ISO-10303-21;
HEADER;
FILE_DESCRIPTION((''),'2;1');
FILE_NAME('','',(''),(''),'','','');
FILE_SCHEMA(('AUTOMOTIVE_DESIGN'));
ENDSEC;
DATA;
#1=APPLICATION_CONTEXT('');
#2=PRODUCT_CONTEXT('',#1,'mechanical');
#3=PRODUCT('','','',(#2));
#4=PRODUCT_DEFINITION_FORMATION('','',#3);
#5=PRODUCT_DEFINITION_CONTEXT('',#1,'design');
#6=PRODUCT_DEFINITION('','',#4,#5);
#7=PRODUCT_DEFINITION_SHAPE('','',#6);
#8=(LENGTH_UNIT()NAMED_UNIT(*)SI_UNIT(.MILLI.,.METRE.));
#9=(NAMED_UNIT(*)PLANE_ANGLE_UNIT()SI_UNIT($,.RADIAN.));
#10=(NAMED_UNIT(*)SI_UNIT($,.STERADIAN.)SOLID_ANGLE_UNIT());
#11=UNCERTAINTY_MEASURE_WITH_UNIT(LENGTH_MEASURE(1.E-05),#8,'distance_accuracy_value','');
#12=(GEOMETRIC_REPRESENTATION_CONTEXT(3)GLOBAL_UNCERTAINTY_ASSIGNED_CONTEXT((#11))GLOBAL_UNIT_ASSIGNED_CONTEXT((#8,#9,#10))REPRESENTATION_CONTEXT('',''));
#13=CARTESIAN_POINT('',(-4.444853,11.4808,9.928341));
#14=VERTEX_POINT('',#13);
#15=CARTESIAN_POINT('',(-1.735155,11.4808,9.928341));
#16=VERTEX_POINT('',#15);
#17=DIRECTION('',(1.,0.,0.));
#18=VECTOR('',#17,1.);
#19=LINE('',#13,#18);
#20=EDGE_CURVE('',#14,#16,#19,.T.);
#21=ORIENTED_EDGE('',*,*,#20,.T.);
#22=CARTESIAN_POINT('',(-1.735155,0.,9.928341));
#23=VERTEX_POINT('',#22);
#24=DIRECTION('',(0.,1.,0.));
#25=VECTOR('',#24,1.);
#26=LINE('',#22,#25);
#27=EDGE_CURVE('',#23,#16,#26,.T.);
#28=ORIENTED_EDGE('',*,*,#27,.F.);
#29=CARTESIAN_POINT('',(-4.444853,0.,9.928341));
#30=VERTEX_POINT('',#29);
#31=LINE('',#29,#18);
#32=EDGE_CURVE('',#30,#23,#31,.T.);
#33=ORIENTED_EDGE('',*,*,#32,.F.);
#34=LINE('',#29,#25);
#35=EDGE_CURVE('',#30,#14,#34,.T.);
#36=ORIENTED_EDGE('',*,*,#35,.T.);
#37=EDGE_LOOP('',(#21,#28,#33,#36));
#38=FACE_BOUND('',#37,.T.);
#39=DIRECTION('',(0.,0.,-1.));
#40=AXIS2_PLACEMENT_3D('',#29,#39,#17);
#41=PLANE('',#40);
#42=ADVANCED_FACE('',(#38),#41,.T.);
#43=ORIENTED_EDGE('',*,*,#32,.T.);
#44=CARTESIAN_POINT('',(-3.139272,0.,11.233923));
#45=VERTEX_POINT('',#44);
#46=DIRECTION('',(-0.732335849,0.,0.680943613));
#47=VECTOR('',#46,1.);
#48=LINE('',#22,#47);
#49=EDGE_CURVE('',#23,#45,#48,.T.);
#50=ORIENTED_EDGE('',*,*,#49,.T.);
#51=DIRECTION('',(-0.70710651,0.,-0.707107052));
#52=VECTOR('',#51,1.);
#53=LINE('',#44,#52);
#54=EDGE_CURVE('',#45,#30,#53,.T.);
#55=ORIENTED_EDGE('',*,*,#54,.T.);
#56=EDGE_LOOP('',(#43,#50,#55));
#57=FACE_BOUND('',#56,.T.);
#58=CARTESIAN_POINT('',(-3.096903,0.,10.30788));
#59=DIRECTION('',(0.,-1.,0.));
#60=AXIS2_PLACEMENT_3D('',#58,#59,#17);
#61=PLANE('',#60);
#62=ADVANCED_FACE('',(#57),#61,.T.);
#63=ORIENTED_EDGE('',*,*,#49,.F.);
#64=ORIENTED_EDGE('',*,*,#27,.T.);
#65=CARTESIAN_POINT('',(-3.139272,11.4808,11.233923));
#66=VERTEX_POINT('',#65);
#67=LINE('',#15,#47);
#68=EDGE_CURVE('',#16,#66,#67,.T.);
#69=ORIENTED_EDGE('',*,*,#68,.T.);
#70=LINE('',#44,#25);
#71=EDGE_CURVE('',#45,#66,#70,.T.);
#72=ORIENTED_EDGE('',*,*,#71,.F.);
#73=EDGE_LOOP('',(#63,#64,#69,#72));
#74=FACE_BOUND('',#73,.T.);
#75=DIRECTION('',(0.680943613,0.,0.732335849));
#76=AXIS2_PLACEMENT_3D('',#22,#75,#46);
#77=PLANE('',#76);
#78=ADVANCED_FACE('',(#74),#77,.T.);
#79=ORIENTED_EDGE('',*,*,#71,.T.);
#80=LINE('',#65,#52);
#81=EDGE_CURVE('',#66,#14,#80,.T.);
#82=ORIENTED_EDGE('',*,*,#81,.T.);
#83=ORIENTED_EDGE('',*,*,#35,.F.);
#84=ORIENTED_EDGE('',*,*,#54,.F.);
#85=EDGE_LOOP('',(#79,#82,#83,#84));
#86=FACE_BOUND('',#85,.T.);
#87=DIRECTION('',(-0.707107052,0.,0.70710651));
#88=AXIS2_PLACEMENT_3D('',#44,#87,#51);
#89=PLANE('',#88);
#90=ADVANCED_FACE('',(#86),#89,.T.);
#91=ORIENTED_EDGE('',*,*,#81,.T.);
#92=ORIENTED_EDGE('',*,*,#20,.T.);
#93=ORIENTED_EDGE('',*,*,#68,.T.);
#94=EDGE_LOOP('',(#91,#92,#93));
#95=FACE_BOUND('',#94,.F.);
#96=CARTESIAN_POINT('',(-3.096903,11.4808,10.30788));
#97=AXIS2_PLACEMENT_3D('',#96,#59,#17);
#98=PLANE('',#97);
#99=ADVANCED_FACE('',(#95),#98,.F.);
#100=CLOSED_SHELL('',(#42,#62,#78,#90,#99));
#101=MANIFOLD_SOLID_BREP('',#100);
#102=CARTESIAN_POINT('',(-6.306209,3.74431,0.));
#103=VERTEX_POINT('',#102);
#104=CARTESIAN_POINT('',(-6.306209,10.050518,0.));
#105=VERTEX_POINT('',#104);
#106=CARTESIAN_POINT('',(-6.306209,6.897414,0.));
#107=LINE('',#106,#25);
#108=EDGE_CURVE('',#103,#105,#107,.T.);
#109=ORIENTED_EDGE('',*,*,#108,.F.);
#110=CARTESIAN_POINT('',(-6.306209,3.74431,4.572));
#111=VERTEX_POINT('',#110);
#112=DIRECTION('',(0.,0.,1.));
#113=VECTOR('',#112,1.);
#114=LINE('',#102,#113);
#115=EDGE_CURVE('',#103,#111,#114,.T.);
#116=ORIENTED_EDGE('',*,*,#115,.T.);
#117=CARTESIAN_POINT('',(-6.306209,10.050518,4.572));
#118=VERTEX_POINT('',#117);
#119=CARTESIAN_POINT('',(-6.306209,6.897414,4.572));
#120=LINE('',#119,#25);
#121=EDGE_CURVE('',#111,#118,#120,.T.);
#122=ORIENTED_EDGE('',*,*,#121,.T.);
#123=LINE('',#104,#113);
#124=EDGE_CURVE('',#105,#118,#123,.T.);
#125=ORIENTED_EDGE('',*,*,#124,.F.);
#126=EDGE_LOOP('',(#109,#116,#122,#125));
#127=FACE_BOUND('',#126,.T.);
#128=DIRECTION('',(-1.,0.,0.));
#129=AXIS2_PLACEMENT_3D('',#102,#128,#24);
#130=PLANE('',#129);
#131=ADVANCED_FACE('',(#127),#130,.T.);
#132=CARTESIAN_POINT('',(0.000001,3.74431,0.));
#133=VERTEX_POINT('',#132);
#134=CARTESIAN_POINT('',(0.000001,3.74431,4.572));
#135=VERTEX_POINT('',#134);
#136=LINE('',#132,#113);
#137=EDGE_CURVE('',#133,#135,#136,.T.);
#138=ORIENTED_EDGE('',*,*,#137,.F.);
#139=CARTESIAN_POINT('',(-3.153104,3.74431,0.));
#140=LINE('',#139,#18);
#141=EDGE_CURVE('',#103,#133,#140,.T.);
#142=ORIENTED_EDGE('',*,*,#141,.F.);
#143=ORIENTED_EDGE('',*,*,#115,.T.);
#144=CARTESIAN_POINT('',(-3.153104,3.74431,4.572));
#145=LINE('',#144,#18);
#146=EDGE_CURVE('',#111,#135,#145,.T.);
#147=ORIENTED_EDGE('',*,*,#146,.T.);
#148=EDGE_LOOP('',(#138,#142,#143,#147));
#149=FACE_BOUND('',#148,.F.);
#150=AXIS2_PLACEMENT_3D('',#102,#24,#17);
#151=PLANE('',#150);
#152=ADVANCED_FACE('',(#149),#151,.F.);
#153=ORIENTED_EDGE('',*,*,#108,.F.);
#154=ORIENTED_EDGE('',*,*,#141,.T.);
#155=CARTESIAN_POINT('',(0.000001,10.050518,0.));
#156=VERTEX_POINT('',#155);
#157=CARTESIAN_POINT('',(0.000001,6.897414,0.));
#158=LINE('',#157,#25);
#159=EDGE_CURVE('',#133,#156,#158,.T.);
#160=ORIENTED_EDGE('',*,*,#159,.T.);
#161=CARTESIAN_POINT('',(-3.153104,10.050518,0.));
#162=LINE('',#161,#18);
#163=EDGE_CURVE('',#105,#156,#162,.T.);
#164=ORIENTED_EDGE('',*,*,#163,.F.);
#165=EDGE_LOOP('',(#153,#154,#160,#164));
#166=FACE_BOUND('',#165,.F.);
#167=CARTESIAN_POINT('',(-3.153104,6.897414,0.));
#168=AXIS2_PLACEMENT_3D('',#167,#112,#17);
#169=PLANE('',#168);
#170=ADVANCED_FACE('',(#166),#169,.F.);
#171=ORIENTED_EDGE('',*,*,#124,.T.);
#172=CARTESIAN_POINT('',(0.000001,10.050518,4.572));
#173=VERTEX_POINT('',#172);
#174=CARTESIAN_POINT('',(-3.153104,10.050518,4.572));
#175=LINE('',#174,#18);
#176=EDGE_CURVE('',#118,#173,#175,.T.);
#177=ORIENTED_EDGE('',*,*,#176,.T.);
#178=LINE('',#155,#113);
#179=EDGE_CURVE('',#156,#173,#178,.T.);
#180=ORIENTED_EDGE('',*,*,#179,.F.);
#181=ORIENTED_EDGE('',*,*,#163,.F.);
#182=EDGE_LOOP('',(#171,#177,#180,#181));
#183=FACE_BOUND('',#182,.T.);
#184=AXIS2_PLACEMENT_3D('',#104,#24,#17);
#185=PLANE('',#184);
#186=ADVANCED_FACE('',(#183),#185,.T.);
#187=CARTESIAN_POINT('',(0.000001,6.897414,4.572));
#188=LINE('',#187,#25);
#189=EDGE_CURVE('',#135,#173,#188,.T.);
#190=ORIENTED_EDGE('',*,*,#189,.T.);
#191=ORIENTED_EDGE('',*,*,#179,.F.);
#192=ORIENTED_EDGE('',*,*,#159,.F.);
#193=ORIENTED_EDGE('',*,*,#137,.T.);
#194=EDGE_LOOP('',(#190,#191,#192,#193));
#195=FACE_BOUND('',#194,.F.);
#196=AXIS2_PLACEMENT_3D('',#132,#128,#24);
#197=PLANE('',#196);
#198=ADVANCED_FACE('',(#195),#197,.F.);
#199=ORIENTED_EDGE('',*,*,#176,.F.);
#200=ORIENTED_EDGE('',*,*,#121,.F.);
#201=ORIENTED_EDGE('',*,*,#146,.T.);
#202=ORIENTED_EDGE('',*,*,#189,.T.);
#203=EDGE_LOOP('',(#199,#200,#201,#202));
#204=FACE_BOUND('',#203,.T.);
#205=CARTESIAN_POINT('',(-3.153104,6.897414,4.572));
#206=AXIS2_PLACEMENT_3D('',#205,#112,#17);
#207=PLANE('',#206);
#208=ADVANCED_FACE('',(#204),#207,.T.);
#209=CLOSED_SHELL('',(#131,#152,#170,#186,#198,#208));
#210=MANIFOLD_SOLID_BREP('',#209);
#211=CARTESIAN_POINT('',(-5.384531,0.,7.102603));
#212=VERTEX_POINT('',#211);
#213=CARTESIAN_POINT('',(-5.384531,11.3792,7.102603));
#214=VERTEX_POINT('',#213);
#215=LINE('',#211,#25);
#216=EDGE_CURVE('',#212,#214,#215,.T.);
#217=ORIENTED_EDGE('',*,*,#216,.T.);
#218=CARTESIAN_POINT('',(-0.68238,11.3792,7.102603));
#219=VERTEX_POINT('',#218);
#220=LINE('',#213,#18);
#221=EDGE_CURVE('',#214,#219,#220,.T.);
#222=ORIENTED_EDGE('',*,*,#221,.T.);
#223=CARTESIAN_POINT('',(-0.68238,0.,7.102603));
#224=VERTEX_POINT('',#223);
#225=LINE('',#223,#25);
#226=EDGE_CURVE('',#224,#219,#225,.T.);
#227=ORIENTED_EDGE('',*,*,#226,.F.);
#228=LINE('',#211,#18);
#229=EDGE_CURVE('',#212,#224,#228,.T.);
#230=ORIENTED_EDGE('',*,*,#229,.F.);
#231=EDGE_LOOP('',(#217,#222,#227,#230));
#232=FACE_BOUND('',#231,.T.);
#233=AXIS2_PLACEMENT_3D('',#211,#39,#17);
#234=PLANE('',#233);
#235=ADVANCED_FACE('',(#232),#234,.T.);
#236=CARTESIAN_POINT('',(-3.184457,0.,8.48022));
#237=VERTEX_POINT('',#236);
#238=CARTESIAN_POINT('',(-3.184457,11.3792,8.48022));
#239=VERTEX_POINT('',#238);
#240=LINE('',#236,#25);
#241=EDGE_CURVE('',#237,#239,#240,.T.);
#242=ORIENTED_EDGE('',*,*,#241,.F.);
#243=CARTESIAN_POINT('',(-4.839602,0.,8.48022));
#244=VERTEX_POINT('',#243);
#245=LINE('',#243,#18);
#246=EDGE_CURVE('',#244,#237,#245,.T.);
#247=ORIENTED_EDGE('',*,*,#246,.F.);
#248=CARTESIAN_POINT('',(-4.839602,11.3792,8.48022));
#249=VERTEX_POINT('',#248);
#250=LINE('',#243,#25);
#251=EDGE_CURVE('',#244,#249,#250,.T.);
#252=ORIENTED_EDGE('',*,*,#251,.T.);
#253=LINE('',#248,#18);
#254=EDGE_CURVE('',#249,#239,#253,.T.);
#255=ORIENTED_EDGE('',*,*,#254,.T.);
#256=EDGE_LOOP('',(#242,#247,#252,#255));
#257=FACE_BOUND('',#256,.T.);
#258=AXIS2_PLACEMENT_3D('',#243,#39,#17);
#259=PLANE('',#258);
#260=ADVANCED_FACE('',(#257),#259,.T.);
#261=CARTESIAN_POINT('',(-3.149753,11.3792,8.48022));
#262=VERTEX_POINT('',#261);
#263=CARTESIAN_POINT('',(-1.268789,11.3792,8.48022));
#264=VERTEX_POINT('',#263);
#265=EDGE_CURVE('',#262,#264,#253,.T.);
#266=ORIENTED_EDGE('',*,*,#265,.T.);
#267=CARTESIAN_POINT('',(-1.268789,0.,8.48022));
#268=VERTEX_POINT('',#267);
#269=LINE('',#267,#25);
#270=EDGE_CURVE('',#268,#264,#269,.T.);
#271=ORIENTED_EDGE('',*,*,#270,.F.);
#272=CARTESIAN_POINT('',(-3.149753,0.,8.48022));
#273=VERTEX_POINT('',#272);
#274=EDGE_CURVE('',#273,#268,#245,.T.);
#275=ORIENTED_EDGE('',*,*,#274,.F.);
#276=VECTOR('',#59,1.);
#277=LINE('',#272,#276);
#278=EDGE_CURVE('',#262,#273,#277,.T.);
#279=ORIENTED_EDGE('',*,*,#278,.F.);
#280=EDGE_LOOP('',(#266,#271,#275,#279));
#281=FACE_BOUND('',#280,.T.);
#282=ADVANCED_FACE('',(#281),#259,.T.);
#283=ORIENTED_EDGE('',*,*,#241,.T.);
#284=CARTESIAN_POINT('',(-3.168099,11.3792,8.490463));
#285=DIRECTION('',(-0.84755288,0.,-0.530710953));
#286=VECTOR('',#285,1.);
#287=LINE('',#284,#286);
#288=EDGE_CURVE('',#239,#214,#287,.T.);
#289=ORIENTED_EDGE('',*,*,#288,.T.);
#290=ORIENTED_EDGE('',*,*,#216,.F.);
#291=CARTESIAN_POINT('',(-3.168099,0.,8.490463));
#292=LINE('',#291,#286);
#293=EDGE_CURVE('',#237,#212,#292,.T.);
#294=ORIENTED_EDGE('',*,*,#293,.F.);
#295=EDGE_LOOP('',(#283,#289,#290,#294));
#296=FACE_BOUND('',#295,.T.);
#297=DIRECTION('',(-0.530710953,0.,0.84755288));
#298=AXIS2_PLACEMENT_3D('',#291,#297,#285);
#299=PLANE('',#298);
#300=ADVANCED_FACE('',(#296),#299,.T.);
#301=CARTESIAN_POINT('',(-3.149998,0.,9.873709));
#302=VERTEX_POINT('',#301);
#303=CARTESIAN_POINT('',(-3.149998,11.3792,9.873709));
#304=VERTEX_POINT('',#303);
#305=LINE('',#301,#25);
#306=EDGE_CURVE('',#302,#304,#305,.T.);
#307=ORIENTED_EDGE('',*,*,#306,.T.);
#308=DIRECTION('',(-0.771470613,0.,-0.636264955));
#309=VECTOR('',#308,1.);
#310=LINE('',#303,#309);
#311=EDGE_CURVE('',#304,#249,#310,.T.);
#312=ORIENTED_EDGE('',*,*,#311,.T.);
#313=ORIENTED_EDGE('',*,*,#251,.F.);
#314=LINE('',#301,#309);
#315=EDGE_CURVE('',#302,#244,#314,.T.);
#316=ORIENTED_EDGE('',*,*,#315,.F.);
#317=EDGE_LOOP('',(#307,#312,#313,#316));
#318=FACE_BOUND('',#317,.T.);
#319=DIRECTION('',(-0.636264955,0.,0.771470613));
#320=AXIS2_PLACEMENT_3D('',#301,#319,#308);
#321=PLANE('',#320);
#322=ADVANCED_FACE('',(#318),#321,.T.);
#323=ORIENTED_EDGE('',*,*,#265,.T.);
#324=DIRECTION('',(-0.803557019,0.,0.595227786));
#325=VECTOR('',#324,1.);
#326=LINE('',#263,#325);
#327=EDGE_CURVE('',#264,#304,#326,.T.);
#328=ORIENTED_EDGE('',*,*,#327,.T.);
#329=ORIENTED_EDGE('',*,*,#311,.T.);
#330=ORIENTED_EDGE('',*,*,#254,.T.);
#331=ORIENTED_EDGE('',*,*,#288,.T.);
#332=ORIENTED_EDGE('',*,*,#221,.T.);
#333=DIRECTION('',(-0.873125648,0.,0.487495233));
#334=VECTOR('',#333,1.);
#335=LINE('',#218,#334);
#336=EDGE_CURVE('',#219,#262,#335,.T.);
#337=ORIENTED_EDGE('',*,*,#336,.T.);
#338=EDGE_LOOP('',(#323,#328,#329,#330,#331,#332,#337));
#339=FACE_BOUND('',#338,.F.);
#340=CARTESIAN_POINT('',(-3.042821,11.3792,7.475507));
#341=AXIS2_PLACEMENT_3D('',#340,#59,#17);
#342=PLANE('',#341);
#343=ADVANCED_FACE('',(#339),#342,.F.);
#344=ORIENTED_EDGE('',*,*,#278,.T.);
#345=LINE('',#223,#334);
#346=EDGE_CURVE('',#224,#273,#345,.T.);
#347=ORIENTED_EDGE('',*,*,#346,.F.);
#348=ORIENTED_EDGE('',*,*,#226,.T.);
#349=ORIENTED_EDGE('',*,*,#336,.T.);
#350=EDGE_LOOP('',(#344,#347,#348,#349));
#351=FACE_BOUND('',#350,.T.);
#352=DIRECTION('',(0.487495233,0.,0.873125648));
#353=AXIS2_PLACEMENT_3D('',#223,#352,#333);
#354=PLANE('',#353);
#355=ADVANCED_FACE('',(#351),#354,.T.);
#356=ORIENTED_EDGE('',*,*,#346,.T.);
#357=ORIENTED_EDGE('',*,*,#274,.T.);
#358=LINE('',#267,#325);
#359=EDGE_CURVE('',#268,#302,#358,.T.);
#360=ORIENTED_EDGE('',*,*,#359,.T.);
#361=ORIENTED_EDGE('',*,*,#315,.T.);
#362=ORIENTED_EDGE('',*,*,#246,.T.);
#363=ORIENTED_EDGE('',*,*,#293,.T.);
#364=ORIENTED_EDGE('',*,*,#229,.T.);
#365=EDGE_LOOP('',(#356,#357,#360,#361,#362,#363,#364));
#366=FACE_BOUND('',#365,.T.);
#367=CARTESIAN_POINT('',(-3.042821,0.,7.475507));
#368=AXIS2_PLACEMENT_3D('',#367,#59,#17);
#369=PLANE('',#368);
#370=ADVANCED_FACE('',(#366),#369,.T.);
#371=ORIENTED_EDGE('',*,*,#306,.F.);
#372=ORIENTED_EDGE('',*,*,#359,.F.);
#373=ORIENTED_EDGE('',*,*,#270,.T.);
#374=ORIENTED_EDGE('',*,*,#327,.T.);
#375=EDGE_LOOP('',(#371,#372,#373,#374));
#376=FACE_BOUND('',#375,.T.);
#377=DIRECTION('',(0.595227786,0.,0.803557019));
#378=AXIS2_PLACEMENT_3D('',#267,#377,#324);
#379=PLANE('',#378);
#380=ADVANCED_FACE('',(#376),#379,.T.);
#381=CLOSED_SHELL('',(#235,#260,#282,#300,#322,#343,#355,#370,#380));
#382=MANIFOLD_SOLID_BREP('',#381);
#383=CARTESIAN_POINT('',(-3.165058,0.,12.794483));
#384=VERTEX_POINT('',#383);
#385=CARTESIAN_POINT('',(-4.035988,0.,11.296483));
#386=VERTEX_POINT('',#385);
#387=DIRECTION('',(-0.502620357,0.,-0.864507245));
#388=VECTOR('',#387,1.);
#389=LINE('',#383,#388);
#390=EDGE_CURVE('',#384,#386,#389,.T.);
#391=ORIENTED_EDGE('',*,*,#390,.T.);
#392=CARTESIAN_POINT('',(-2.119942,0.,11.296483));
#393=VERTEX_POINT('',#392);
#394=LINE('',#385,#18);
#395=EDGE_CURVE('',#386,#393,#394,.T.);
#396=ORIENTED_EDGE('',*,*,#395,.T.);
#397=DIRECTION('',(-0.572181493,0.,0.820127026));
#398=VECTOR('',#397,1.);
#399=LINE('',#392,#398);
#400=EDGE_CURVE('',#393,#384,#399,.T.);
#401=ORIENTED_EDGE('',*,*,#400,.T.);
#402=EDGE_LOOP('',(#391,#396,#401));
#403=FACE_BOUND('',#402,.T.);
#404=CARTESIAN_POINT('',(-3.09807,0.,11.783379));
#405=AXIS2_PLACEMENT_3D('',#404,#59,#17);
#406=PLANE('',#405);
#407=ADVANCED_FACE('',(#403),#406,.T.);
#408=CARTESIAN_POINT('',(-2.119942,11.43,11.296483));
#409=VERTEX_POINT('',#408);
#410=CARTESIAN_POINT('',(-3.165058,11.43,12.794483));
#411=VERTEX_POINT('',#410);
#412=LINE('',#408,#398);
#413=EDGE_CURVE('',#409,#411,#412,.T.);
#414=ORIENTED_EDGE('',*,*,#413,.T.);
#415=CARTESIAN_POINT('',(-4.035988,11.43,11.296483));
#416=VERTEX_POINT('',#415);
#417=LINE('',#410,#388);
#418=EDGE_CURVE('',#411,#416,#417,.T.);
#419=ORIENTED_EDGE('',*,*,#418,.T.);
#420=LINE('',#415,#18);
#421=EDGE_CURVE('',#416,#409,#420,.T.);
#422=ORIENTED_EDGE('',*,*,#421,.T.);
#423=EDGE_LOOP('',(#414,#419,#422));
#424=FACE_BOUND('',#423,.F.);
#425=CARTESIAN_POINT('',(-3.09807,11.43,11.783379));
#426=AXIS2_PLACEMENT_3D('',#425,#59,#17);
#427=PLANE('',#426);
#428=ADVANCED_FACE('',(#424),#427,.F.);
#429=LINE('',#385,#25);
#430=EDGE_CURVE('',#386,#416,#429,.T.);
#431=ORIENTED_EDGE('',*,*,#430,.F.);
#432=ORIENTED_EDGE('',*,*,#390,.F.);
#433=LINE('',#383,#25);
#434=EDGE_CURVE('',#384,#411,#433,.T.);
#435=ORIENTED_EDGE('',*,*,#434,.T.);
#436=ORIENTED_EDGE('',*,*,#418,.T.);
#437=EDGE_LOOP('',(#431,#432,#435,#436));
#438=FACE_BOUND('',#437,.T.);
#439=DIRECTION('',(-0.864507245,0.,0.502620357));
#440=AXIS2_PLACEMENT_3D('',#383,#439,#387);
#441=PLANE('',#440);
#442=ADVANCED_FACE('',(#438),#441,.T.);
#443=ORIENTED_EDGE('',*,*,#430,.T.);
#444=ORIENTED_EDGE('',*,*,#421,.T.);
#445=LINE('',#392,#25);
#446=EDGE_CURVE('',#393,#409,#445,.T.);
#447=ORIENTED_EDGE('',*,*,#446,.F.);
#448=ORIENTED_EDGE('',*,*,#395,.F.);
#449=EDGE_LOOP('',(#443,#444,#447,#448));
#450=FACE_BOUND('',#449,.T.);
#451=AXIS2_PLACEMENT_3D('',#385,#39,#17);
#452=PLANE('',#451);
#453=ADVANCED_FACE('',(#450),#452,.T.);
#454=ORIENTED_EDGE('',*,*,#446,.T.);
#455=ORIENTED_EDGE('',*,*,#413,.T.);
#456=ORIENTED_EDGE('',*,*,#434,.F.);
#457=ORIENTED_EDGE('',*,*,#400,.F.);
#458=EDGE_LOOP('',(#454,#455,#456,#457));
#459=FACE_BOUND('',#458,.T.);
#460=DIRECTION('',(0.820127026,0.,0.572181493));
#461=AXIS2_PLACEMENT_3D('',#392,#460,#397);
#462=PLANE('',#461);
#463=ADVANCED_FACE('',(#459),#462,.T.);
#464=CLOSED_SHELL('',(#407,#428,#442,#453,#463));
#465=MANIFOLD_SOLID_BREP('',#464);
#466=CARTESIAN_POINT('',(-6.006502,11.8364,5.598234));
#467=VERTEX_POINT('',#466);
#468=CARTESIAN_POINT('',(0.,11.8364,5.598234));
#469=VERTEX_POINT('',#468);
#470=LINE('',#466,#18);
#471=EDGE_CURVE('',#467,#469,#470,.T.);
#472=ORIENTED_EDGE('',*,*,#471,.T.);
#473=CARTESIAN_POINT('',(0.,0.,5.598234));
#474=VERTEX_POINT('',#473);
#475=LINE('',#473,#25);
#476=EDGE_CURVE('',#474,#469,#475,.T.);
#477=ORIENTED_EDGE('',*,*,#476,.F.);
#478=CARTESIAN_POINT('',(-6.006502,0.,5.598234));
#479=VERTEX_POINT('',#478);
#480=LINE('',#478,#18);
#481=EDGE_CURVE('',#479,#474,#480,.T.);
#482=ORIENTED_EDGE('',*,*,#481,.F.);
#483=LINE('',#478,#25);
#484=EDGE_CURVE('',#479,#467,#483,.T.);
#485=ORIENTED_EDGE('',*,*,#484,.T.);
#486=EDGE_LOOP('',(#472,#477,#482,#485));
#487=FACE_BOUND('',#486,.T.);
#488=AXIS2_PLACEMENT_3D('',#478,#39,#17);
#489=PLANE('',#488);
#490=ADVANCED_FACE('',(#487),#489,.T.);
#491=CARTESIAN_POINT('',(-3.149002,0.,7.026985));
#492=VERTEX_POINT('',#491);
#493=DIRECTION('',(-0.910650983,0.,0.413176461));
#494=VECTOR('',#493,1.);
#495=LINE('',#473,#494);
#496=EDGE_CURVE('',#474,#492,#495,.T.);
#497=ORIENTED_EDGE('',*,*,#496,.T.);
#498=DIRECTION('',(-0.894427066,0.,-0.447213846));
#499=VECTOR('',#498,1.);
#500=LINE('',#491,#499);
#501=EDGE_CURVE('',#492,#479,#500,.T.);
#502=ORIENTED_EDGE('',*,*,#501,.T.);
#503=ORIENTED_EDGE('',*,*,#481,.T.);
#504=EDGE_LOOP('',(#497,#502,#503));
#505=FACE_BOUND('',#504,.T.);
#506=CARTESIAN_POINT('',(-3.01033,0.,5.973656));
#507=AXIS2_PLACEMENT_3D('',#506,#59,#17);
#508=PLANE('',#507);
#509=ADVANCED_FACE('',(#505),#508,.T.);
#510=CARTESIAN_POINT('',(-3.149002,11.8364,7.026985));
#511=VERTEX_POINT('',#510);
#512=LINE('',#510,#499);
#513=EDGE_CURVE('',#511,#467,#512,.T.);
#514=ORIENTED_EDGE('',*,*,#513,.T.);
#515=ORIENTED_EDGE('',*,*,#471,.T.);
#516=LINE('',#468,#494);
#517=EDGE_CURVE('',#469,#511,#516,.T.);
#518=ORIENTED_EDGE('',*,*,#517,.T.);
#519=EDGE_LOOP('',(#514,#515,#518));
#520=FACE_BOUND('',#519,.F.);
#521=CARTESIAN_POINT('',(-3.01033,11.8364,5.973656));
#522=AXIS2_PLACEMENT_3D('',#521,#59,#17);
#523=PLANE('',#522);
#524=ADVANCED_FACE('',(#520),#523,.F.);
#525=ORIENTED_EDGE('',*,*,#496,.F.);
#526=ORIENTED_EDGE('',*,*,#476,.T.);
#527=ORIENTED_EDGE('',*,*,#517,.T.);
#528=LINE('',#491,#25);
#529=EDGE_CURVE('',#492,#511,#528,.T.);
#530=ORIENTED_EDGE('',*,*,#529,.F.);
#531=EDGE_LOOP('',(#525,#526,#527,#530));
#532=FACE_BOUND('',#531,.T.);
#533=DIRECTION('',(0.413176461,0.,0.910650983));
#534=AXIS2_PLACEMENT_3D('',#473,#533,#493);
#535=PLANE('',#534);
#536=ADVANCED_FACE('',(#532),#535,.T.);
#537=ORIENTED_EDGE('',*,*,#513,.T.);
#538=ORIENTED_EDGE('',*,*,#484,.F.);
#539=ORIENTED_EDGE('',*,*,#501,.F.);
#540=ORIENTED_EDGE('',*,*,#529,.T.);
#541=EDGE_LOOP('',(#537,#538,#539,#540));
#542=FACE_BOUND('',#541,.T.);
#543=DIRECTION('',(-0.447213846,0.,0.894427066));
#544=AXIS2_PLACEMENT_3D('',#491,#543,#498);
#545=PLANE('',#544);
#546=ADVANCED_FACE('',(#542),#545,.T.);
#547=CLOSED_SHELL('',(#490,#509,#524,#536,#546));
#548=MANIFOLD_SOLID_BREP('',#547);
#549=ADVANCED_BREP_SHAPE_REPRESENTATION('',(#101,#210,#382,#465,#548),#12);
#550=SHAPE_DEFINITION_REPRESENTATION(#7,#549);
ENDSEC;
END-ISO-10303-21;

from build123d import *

# Parameters (mm, degrees)
F0_W      = 6.306209
F0_H      = 6.306208
F1_DEPTH  = 4.572
F3_DEPTH  = 11.43
F5_DEPTH  = 11.4808
F7_DEPTH  = 11.3792
F9_DEPTH  = 11.3792
F11_DEPTH = 11.8364


with BuildPart() as f1:
    # F0 (on Top) → F1 (new body)
    with BuildSketch(Plane.XY):
        with Locations((-3.153104, 6.897414)):
            Rectangle(F0_W, F0_H)
    extrude(amount=F1_DEPTH)


with BuildPart() as f3:
    # F2 (on Front) → F3 (new body)
    with BuildSketch(Plane.XZ):
        Polygon((-2.119942, 11.296483), (-3.165058, 12.794483), (-4.035988, 11.296483), align=None)
    extrude(amount=-F3_DEPTH)


with BuildPart() as f5:
    # F4 (on Front) → F5 (new body)
    with BuildSketch(Plane.XZ):
        Polygon((-1.735155, 9.928341), (-3.139272, 11.233923), (-4.444853, 9.928341), align=None)
    extrude(amount=-F5_DEPTH)


with BuildPart() as f7:
    # F6 (on Front) → F7 (new body)
    with BuildSketch(Plane.XZ):
        Polygon((-1.268789, 8.48022), (-3.149998, 9.873709), (-4.839602, 8.48022), align=None)
    extrude(amount=-F7_DEPTH)

    # F8 (on Front) → F9 (join)
    with BuildSketch(Plane.XZ):
        Polygon((-0.68238, 7.102603), (-3.168099, 8.490463), (-5.384531, 7.102603), align=None)
    extrude(amount=-F9_DEPTH)


with BuildPart() as f11:
    # F10 (on Front) → F11 (new body)
    with BuildSketch(Plane.XZ):
        Polygon((0, 5.598234), (-3.149002, 7.026985), (-6.006502, 5.598234), align=None)
    extrude(amount=-F11_DEPTH)


solid = Compound([f1.part, f3.part, f5.part, f7.part, f11.part])
